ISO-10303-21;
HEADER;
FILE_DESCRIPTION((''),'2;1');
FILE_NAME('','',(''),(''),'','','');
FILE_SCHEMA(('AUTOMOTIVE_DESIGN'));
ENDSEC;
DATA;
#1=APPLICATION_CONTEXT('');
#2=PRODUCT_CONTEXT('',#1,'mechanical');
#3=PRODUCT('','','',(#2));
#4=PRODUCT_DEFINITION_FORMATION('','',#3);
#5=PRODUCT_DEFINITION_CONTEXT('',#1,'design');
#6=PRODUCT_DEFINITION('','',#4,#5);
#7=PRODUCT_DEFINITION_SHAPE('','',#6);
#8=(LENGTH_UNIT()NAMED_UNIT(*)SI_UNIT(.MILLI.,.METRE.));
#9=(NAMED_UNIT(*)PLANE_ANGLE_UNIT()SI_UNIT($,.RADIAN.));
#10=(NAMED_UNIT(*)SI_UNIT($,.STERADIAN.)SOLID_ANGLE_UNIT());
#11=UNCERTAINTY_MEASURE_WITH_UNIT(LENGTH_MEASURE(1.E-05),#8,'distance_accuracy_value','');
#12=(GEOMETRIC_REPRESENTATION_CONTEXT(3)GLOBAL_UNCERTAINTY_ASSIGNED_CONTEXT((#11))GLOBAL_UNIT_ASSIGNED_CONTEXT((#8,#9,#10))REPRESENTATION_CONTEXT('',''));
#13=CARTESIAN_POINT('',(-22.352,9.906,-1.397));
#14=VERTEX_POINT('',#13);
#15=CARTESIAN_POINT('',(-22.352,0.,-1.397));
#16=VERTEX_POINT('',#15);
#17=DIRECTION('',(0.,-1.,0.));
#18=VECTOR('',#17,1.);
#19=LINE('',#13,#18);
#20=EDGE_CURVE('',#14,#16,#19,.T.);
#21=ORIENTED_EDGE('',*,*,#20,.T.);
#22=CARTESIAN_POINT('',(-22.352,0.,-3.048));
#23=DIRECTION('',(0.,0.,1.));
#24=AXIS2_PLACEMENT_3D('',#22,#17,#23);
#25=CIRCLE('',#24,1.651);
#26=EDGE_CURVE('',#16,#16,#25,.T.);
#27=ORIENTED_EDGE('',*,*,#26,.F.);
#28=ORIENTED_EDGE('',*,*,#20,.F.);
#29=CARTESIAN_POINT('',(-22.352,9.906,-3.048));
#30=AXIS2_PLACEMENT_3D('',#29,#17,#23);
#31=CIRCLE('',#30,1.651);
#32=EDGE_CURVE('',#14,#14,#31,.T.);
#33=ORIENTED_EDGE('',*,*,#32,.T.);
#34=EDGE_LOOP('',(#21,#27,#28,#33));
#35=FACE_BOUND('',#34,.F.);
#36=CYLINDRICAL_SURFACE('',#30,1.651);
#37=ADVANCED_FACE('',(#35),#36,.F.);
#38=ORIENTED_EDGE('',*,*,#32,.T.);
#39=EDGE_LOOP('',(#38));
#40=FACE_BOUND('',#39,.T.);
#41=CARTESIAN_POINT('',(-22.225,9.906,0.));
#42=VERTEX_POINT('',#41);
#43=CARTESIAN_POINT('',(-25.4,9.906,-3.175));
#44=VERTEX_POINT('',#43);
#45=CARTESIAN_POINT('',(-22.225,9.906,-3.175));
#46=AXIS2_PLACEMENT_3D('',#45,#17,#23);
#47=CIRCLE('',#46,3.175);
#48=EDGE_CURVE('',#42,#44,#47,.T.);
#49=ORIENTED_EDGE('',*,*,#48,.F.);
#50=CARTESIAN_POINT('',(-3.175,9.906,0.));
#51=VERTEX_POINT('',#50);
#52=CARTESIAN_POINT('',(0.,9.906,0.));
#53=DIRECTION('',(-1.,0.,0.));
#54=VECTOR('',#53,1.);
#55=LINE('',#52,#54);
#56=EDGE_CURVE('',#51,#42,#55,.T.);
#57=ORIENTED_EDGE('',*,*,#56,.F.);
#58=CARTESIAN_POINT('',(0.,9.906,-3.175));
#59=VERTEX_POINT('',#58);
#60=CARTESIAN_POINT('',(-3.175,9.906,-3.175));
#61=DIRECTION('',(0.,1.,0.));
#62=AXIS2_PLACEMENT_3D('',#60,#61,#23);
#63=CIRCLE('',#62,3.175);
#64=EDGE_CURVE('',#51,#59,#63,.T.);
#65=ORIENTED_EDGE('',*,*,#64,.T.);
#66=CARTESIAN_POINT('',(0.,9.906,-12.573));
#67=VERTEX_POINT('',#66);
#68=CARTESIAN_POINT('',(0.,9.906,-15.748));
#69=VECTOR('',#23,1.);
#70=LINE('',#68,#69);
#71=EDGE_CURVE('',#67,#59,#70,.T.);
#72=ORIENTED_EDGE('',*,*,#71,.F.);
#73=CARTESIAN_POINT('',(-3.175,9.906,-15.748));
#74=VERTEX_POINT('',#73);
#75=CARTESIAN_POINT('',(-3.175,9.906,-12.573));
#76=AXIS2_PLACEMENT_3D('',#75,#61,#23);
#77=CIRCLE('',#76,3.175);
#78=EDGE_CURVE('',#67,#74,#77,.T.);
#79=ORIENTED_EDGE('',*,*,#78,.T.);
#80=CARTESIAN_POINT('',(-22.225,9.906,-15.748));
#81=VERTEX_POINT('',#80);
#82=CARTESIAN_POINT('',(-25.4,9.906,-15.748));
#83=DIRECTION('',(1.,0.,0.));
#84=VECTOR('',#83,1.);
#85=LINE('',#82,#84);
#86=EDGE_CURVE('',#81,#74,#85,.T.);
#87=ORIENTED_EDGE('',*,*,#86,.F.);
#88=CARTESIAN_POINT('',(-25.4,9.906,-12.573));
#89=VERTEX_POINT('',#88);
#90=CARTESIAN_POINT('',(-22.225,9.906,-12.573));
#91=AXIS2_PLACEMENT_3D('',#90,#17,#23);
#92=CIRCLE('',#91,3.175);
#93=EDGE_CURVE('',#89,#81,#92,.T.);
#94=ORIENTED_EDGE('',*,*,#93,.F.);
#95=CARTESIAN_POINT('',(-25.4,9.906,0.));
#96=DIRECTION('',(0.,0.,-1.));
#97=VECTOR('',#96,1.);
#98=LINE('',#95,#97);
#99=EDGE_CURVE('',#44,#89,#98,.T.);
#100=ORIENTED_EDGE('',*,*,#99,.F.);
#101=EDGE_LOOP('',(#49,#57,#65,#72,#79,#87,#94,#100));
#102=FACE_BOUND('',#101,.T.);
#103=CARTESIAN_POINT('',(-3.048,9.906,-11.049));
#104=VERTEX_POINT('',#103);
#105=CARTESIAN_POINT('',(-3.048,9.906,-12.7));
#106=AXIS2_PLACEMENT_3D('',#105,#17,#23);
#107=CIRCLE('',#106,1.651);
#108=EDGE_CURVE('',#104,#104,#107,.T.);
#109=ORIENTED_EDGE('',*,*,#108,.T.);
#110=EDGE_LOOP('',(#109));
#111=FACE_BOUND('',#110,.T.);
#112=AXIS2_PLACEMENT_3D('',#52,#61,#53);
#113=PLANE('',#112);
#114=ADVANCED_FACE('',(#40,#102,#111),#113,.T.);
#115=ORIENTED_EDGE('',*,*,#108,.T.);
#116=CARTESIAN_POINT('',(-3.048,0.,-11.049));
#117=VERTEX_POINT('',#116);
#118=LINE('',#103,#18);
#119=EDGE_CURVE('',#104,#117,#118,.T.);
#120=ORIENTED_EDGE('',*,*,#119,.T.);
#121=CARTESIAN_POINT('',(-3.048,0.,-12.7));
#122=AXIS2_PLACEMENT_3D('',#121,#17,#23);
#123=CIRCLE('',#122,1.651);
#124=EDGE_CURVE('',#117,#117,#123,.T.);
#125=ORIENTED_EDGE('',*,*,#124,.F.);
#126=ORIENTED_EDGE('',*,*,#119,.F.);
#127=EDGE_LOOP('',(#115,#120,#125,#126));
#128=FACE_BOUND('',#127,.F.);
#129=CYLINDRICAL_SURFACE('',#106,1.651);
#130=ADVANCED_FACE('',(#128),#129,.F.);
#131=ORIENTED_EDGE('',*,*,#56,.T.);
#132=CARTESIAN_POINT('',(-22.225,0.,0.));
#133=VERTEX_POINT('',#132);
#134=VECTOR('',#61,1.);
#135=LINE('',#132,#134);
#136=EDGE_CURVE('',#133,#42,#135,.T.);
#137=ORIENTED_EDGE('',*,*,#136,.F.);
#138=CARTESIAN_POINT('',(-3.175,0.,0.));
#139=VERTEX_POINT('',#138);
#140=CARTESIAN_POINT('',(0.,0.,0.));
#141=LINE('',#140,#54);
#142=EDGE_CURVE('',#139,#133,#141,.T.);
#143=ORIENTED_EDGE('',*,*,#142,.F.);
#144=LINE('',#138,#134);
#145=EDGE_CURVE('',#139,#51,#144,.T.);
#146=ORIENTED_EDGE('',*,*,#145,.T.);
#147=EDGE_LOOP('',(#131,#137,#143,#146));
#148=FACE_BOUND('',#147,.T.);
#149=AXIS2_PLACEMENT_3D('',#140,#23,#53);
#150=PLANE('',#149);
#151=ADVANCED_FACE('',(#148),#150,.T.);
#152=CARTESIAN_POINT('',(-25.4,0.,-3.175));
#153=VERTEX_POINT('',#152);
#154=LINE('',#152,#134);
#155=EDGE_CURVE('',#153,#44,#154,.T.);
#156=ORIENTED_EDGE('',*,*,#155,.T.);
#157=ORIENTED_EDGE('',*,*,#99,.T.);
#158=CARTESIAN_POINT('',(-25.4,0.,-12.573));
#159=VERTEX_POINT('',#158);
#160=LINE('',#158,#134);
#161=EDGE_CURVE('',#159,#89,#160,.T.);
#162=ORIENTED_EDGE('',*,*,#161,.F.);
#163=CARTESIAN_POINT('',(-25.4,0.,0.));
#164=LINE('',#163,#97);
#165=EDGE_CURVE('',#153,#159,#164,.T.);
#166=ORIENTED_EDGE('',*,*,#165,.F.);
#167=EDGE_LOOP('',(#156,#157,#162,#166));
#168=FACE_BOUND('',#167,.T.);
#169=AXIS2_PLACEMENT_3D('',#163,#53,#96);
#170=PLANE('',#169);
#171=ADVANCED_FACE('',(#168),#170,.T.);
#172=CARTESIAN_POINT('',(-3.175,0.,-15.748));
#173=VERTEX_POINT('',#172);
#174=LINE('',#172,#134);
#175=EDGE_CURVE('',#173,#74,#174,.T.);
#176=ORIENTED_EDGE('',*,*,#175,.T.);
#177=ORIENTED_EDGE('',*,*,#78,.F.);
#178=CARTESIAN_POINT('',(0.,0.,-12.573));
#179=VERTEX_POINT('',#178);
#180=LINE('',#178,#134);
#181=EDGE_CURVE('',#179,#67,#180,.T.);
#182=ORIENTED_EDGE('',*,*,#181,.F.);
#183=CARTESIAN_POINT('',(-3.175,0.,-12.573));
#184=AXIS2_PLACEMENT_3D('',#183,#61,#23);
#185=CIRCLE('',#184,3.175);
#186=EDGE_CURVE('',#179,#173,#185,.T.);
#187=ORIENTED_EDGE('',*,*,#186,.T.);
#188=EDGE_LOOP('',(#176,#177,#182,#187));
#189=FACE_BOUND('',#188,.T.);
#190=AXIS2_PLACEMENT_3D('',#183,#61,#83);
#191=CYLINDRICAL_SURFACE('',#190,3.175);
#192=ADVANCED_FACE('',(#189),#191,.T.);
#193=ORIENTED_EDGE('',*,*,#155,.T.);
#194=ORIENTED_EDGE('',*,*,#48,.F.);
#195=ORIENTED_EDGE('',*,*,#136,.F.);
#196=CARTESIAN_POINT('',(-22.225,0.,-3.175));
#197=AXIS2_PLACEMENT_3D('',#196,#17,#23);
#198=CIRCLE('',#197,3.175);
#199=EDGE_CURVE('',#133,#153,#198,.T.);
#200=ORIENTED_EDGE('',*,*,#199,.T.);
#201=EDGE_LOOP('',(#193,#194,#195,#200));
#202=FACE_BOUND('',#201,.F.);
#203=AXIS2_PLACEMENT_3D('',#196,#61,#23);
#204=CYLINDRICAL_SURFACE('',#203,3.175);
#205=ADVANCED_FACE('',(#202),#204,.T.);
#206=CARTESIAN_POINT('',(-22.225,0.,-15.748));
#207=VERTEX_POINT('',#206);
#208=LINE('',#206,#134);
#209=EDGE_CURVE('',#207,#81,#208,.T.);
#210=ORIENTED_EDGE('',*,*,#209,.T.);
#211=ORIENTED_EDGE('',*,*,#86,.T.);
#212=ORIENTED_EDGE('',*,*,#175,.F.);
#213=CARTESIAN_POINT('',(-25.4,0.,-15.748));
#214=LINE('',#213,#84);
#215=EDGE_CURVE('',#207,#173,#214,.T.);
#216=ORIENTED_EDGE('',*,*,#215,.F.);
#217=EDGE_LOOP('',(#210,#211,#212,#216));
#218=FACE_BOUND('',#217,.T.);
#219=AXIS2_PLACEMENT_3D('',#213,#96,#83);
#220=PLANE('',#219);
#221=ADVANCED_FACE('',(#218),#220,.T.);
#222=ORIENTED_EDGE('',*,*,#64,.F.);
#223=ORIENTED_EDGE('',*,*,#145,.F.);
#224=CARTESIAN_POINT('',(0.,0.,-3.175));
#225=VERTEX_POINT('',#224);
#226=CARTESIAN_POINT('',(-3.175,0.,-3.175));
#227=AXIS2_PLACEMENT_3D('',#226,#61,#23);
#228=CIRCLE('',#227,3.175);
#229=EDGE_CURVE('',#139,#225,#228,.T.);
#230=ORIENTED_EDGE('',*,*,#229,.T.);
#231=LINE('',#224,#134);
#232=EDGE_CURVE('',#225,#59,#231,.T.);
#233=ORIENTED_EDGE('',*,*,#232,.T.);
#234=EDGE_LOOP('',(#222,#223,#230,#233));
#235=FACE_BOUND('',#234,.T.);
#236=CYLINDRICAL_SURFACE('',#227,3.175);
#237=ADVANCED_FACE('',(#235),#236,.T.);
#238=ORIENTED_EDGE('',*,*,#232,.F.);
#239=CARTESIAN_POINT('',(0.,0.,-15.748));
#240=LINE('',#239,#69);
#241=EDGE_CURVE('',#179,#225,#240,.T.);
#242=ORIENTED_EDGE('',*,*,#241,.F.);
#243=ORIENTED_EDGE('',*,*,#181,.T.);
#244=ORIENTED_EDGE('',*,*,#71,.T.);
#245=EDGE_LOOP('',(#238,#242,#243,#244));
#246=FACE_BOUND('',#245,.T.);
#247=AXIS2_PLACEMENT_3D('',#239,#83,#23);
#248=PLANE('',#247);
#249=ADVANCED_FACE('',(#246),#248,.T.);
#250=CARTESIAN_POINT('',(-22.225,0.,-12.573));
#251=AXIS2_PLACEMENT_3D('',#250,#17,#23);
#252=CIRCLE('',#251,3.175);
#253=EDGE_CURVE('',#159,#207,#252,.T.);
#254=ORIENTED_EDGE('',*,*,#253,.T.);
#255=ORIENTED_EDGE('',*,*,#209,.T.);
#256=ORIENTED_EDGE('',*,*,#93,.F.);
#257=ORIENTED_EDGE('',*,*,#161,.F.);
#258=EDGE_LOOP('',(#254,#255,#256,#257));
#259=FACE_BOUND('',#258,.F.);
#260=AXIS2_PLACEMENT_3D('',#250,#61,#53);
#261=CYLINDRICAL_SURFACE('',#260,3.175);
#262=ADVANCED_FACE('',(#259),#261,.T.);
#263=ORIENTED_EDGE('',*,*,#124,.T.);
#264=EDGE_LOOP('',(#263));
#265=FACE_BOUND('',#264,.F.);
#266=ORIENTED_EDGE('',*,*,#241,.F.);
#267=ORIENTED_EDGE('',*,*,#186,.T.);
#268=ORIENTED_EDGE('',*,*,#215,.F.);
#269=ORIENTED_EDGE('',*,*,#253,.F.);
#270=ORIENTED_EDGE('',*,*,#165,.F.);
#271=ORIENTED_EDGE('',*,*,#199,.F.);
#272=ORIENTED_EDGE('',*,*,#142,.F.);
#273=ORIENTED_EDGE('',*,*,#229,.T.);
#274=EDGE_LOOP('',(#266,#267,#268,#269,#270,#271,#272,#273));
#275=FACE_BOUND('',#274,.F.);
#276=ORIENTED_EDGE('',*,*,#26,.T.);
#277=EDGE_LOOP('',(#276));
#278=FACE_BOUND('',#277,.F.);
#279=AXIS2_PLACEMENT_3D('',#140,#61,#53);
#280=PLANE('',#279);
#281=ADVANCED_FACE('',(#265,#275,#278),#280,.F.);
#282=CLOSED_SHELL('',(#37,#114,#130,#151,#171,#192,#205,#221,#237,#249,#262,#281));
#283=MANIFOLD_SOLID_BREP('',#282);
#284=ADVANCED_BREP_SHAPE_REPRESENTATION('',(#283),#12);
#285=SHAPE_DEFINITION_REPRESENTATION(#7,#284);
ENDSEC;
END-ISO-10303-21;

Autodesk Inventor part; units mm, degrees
ref_plane "YZ Plane" through (0, 0, 0) normal (1, 0, 0) x (0, 1, 0)
ref_plane "XZ Plane" through (0, 0, 0) normal (0, 1, 0) x (-1, 0, 0)
ref_plane "XY Plane" through (0, 0, 0) normal (0, 0, 1) x (1, 0, 0)
sketch "Sketch1" plane through (0, 0, 0) normal (0, 1, 0) x (-1, 0, 0)
  line L0 (0, 0) -> (25.4, 0)
  line L1 (25.4, 0) -> (25.4, -15.748)
  line L2 (25.4, -15.748) -> (0, -15.748)
  line L3 (0, -15.748) -> (0, 0)
  dimension "d0" = 25.4
  dimension "d1" = 15.748
extrude "Extrusion1" add sketch "Sketch1" along normal blind 9.906
sketch "Sketch2" plane through (0, 9.906, 0) normal (0, 1, 0) x (1, 0, 0)
  line L0 (-25.4, 0) -> (0, 0) projected
  line L1 (0, 0) -> (0, 15.748) projected
  line L2 (0, 15.748) -> (-25.4, 15.748) projected
  line L3 (-25.4, 15.748) -> (-25.4, 0) projected
  point P0 (-3.048, 12.7)
  point P1 (-22.352, 3.048)
  dimension "d5" = 3.048
  dimension "d6" = 3.048
  dimension "d7" = 3.048
  dimension "d8" = 3.048
hole "Hole1" at (-3.048, 9.906, -12.7) at (-22.352, 9.906, -3.048) direction (0, -1, 0) diameter 3.302 end through all
fillet "Fillet1" radius 3.175 4 edges at (-25.4, 4.953, 0) (-25.4, 4.953, -15.748) (0, 4.953, -15.748) (0, 4.953, 0)
ref_plane "Work Plane1" through (0, 4.953, 0) normal (0, 1, 0) x (1, 0, 0)
equation "\"d6\" = d5"
equation "\"d7\" = d6"
equation "\"d8\" = d7"
properties part number "LimitSwitch"
